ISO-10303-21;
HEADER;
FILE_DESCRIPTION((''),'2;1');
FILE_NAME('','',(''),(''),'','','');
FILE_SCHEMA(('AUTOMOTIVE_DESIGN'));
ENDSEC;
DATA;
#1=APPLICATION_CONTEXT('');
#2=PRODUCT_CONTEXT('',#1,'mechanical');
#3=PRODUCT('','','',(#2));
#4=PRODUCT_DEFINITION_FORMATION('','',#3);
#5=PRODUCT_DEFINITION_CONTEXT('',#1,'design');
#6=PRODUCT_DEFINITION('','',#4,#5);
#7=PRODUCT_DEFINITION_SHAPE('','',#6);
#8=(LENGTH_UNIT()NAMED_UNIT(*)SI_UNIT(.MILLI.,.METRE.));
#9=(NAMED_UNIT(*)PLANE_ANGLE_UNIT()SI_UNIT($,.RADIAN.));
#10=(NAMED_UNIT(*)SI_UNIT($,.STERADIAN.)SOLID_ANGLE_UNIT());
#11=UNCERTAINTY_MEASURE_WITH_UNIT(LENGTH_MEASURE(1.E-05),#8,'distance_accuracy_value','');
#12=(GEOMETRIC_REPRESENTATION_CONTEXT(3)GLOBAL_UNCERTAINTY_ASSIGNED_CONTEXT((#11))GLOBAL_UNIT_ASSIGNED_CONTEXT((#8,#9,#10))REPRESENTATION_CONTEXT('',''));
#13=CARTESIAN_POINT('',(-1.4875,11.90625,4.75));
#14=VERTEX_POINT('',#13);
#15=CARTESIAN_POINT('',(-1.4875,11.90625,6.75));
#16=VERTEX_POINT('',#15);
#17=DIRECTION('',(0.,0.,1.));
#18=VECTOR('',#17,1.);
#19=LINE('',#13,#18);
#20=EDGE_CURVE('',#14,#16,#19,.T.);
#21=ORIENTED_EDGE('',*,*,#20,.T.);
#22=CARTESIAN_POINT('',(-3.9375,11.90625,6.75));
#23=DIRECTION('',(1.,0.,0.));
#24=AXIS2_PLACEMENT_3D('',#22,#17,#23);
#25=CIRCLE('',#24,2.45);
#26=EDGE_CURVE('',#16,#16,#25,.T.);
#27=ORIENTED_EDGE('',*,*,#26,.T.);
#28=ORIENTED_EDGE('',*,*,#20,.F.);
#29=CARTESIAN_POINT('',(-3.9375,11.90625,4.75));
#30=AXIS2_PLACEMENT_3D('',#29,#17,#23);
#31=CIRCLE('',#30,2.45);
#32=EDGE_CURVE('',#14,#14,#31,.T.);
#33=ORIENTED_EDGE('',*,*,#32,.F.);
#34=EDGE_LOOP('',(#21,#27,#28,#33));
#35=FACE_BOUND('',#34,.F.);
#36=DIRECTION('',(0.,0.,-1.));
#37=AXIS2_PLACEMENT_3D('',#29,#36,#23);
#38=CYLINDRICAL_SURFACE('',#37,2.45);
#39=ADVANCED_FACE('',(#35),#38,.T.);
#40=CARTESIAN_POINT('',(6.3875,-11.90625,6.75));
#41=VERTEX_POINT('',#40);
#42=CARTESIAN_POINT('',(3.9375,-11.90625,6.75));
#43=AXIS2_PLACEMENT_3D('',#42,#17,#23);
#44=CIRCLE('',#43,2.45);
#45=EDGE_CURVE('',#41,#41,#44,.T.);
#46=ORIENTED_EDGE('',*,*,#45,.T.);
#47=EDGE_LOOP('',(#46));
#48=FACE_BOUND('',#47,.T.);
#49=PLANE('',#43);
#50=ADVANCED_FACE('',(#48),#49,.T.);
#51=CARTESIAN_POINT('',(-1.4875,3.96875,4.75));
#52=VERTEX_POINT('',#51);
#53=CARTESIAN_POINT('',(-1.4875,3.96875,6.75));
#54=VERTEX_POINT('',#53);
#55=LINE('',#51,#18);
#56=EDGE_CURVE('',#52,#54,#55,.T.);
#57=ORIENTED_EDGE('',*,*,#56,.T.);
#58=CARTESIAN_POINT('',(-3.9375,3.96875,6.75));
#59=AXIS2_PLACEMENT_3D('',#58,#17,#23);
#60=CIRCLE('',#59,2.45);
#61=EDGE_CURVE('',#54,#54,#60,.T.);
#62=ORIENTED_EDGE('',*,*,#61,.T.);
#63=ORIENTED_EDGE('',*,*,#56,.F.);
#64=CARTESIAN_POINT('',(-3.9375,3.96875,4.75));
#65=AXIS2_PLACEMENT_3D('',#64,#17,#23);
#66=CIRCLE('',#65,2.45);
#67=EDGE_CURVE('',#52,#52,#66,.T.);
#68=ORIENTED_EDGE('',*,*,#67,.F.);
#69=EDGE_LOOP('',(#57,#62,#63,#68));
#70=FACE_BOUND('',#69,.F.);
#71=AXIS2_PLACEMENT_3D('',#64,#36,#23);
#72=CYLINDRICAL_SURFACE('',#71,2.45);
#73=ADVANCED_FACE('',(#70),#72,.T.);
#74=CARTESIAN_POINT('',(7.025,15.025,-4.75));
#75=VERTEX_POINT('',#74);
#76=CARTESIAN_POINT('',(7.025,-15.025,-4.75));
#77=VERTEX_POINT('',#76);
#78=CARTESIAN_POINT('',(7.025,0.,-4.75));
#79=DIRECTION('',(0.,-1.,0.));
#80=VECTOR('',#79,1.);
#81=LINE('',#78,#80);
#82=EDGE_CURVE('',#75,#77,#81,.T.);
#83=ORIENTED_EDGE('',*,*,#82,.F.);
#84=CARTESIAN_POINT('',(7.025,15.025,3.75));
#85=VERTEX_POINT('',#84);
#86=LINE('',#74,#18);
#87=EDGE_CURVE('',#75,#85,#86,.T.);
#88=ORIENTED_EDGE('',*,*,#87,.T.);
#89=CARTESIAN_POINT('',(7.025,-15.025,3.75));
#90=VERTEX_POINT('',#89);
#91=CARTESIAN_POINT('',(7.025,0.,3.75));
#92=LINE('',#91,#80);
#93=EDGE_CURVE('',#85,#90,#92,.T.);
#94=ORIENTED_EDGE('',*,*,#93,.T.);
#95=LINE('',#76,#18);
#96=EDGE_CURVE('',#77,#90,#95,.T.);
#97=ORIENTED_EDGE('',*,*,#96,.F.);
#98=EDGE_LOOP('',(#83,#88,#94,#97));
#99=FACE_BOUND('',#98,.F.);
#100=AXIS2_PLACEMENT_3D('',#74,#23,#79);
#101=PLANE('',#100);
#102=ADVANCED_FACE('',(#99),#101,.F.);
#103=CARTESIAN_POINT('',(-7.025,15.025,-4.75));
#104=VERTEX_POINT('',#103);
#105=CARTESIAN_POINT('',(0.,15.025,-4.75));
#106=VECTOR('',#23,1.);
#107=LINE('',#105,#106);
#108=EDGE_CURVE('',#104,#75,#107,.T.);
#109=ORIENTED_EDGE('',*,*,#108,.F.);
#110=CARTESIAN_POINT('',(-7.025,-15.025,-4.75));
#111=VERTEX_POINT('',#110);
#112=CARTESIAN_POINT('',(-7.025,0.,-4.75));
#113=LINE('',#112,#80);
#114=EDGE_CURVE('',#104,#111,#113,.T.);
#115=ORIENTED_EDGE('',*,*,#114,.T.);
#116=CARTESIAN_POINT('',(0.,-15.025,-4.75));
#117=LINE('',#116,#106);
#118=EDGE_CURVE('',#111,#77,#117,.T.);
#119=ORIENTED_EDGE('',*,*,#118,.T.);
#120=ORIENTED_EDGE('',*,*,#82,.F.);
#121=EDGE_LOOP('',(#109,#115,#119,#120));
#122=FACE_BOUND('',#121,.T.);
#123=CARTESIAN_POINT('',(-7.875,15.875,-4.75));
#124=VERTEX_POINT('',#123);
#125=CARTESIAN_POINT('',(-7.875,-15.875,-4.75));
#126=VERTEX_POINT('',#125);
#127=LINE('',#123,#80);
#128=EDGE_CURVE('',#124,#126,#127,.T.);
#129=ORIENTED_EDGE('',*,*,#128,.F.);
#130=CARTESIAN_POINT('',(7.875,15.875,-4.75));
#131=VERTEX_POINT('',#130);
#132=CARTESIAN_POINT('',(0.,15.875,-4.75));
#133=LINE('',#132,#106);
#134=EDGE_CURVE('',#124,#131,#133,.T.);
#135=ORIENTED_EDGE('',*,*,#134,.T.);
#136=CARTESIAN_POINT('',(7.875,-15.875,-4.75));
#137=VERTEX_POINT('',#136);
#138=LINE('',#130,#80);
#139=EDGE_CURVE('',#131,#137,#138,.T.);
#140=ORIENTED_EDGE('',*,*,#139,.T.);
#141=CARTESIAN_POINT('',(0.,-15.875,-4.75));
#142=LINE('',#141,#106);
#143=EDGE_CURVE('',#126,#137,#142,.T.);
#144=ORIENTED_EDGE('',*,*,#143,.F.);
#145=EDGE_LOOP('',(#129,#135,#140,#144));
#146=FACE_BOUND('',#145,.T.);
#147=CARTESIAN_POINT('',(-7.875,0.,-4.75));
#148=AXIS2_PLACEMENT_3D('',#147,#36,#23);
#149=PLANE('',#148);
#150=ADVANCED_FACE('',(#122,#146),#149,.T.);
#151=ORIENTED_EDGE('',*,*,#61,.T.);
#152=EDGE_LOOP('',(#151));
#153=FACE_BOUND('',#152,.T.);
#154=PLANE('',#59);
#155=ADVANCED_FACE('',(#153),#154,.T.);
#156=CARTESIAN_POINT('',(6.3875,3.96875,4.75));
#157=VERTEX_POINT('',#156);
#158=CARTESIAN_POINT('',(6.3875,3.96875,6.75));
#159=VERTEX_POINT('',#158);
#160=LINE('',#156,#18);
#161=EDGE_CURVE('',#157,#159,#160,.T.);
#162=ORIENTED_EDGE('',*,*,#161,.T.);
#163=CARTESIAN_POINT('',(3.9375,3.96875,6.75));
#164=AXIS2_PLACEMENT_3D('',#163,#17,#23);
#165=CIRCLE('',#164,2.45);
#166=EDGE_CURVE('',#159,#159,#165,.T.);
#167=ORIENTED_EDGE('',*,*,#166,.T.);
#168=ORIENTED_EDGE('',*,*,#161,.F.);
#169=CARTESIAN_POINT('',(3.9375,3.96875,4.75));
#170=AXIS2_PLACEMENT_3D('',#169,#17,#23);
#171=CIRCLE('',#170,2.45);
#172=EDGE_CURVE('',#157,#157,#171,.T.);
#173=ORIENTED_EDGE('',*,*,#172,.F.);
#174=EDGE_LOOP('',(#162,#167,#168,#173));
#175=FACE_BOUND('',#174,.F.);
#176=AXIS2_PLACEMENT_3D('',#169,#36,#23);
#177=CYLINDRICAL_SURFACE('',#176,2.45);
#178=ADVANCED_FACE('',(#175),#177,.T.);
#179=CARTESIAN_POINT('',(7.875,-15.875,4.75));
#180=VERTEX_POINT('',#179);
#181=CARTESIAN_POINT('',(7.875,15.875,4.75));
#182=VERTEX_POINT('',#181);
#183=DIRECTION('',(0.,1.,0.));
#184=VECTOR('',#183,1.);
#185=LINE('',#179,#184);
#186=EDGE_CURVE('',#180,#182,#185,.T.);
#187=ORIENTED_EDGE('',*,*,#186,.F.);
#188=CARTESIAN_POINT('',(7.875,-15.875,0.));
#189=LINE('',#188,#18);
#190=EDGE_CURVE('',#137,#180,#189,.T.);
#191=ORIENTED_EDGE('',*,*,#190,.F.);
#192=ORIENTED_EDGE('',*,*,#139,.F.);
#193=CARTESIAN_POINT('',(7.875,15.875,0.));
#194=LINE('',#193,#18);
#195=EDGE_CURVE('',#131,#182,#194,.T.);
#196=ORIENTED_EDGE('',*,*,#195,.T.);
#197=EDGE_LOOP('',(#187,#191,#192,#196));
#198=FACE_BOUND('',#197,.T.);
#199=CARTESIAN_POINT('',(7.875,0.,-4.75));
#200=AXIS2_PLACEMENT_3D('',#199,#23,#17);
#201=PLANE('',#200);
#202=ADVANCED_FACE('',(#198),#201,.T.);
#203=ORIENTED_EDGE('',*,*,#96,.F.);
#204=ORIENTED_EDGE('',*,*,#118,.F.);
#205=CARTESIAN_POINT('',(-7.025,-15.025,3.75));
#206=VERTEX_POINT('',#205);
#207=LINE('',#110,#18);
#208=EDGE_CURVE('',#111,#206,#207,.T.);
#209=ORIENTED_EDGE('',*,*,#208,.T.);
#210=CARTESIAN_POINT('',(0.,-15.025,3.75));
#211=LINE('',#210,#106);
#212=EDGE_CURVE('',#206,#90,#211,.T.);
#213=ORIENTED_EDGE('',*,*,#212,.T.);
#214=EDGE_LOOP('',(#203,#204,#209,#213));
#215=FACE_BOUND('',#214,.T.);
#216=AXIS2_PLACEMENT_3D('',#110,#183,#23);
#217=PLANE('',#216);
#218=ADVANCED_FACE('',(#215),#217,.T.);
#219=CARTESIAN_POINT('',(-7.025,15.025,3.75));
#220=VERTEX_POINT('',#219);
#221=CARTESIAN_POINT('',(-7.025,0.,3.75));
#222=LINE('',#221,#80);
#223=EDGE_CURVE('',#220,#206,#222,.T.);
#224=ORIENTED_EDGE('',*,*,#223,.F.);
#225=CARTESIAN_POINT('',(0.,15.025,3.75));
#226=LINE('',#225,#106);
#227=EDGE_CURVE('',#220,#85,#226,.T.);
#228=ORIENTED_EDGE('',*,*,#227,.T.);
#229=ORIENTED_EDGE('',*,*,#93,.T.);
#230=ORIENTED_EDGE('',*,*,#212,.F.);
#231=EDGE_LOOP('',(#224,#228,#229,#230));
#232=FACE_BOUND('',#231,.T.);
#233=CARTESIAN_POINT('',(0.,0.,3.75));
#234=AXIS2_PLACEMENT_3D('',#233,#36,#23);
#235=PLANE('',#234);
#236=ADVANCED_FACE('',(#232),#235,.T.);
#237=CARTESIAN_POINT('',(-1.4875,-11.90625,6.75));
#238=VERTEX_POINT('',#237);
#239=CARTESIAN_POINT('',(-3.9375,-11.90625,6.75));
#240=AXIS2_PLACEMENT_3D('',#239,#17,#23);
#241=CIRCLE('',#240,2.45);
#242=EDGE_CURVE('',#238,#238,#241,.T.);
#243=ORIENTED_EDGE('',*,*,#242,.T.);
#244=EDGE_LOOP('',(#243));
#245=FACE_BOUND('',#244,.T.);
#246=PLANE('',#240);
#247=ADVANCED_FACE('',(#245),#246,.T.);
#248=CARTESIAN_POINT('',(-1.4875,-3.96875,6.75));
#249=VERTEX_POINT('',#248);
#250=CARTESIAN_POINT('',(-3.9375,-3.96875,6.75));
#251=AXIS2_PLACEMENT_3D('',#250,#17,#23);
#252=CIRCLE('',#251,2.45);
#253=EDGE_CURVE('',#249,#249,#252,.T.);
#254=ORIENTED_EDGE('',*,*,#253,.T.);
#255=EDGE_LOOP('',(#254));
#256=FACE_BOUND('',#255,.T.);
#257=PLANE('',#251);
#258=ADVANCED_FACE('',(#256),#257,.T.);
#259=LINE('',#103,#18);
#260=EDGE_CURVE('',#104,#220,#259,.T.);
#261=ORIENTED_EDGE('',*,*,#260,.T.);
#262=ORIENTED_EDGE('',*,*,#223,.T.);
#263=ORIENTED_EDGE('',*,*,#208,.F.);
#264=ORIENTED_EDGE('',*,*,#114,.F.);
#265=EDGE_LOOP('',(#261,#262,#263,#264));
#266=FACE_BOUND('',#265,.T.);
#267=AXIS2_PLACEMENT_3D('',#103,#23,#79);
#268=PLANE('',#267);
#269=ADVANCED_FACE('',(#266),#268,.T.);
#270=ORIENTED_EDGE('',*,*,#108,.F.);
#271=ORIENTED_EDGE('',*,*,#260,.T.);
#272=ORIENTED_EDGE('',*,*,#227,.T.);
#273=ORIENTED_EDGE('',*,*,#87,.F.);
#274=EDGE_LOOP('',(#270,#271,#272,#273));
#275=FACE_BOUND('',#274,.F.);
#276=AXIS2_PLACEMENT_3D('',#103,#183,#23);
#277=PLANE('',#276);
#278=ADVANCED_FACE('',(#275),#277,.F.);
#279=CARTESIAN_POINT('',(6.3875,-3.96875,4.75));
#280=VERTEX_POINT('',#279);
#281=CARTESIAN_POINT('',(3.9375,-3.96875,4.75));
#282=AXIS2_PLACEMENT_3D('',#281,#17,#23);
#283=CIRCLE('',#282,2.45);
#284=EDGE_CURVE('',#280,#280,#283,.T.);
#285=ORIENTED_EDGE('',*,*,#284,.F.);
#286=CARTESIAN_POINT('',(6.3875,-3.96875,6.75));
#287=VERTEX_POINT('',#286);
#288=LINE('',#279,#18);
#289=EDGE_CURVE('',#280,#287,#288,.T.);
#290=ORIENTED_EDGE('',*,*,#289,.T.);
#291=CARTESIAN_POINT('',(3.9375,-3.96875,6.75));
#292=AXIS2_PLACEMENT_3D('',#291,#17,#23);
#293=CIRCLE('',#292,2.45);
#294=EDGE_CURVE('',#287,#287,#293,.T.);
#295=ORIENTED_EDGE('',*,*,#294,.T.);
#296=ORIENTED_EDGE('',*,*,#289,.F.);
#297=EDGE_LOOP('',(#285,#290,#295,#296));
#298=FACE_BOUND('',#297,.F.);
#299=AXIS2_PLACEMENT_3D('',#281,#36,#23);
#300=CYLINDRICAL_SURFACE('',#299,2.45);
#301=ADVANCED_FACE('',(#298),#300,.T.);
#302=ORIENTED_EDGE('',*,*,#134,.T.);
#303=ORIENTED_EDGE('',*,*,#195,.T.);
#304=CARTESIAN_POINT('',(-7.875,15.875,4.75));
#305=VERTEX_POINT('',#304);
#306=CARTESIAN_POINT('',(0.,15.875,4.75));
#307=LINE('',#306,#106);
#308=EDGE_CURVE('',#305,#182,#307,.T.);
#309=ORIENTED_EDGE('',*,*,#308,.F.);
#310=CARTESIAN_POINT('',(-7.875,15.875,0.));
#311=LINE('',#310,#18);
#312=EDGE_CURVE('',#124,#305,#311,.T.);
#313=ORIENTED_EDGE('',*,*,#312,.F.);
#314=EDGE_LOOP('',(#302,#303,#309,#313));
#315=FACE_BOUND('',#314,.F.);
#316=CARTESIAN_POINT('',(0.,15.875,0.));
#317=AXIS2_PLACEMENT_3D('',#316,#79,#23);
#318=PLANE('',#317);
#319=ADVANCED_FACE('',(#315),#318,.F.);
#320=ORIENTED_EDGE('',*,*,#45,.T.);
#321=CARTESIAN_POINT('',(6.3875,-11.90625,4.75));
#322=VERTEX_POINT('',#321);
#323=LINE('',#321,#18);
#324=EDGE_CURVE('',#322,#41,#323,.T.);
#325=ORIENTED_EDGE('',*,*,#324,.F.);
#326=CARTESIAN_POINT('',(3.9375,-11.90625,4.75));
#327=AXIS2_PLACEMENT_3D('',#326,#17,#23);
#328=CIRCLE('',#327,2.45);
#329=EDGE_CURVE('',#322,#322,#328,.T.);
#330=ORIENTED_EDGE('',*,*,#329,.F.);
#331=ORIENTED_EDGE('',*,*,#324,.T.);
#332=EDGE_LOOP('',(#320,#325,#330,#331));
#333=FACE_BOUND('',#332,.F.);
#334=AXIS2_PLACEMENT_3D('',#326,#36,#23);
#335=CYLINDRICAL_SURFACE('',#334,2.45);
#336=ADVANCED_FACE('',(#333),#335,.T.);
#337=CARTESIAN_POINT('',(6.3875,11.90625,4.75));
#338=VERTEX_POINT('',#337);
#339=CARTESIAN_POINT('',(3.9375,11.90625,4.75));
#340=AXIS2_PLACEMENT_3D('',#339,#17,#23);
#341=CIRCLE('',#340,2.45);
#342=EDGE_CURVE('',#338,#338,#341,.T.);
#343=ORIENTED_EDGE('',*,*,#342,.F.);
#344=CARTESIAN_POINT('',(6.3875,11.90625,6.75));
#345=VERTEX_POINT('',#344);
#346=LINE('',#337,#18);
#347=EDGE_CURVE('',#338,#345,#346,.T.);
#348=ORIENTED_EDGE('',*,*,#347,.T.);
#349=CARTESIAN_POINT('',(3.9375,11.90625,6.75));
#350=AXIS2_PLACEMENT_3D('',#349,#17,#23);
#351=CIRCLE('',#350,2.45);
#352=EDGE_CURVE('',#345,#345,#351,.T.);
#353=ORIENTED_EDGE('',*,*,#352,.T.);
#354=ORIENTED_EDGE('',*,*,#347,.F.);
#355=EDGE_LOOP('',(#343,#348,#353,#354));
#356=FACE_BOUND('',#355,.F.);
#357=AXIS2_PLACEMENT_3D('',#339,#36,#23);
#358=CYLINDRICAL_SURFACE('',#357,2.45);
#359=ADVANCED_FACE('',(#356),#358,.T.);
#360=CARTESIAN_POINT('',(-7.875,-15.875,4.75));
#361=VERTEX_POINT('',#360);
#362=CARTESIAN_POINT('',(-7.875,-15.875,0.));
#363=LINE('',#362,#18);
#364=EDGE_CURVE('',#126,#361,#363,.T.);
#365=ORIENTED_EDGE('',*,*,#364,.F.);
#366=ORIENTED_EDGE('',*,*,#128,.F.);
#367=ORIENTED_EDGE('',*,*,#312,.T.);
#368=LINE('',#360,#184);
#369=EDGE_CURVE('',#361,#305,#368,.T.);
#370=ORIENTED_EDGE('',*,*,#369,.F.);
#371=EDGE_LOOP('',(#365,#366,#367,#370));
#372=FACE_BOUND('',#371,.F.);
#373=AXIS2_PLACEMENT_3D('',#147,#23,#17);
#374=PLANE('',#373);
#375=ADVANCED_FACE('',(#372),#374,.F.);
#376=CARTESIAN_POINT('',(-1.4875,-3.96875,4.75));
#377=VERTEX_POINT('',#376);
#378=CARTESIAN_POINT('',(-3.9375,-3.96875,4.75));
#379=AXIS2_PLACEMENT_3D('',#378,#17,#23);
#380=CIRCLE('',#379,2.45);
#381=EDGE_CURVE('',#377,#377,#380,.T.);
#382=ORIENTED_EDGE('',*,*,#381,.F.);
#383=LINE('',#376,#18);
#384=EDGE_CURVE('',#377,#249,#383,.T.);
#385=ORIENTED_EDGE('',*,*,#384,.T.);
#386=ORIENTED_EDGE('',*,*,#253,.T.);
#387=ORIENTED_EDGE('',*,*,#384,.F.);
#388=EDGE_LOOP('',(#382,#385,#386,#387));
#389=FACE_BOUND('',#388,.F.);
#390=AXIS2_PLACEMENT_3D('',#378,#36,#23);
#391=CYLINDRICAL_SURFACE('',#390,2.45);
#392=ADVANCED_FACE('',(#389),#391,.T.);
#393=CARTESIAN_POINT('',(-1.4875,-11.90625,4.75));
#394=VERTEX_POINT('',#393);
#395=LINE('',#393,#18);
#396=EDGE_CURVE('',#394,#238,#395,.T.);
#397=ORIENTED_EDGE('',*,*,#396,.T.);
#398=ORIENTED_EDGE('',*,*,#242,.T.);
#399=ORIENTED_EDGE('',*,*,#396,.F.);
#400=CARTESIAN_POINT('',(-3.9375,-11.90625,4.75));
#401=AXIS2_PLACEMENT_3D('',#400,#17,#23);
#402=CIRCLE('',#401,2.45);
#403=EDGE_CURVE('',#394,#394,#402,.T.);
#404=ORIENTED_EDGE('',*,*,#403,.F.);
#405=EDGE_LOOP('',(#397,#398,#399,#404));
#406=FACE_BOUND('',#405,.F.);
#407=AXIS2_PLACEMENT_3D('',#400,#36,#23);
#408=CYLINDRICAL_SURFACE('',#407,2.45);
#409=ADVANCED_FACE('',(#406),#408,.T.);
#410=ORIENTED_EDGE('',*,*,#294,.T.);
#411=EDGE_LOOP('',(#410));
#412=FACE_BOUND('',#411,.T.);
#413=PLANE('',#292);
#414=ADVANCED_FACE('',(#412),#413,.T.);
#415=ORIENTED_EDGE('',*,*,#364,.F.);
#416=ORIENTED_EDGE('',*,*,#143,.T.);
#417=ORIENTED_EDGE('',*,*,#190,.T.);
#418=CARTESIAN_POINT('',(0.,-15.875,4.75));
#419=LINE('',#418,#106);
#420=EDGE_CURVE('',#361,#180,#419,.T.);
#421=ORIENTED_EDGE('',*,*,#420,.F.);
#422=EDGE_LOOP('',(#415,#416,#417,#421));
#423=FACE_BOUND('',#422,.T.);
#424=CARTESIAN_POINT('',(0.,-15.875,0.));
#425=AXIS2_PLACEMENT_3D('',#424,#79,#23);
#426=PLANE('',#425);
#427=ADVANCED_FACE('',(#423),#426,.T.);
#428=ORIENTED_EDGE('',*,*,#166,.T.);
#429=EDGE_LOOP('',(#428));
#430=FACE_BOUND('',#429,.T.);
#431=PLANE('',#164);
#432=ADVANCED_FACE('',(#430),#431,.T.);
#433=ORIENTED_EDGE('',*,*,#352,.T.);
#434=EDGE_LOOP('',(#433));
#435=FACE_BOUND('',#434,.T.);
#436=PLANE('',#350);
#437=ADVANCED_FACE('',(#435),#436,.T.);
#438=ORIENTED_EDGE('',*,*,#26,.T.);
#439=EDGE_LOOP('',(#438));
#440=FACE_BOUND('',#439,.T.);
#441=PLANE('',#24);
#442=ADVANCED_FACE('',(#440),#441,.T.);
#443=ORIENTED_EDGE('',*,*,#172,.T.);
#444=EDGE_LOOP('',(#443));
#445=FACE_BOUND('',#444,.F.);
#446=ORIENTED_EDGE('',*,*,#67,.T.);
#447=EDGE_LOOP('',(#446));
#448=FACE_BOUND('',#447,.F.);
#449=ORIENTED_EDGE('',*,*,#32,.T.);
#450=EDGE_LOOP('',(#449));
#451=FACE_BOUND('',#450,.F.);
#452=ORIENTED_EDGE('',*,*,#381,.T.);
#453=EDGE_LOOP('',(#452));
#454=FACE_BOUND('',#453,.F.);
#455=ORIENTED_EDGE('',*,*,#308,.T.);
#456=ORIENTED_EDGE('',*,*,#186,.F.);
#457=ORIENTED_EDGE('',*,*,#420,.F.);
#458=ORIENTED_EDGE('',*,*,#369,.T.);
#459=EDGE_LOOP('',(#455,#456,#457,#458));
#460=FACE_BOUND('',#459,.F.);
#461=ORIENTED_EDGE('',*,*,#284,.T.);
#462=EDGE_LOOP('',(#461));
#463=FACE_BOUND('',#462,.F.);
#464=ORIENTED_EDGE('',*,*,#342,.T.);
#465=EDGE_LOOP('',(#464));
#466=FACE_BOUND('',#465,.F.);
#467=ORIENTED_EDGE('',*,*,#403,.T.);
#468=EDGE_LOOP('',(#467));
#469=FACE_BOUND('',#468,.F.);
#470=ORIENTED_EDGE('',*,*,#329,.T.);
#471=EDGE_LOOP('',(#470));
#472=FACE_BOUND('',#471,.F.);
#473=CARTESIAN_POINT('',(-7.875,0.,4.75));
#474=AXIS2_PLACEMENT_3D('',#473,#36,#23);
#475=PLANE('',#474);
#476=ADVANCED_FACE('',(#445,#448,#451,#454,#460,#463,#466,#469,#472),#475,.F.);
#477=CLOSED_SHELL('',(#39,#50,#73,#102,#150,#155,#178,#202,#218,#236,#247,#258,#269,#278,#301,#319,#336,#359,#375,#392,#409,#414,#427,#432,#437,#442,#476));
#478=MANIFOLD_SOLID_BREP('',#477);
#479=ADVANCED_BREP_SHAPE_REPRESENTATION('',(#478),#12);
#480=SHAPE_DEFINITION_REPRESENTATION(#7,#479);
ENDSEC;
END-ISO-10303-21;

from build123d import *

# Parameters (mm, degrees)
F0_W     = 15.75
F0_H     = 9.5
F1_DEPTH = 15.875
F2_R     = 2.45
F3_DEPTH = 2
F4_W     = 14.05
F4_H     = 30.05
F5_DEPTH = 8.5


with BuildPart() as f1:
    # F0 (on Front) → F1 (new body, symmetric)
    with BuildSketch(Plane.XZ):
        Rectangle(F0_W, F0_H)
    extrude(amount=F1_DEPTH, both=True)

    # F2 (on face) → F3 (join)
    with BuildSketch(Plane.XY.offset(4.75)):
        with Locations((-3.9375, 11.90625)):
            Circle(F2_R)
        with Locations((3.9375, 11.90625)):
            Circle(F2_R)
        with Locations((3.9375, 3.96875)):
            Circle(F2_R)
        with Locations((-3.9375, 3.96875)):
            Circle(F2_R)
        with Locations((-3.9375, -3.96875)):
            Circle(F2_R)
        with Locations((3.9375, -3.96875)):
            Circle(F2_R)
        with Locations((-3.9375, -11.90625)):
            Circle(F2_R)
        with Locations((3.9375, -11.90625)):
            Circle(F2_R)
    extrude(amount=F3_DEPTH)

    # F4 (on face) → F5 (cut)
    with BuildSketch(Plane(origin=(0, 0, -4.75), x_dir=(1, 0, 0), z_dir=(0, 0, -1))):
        Rectangle(F4_W, F4_H)
    extrude(amount=-F5_DEPTH, mode=Mode.SUBTRACT)


solid = f1.part
